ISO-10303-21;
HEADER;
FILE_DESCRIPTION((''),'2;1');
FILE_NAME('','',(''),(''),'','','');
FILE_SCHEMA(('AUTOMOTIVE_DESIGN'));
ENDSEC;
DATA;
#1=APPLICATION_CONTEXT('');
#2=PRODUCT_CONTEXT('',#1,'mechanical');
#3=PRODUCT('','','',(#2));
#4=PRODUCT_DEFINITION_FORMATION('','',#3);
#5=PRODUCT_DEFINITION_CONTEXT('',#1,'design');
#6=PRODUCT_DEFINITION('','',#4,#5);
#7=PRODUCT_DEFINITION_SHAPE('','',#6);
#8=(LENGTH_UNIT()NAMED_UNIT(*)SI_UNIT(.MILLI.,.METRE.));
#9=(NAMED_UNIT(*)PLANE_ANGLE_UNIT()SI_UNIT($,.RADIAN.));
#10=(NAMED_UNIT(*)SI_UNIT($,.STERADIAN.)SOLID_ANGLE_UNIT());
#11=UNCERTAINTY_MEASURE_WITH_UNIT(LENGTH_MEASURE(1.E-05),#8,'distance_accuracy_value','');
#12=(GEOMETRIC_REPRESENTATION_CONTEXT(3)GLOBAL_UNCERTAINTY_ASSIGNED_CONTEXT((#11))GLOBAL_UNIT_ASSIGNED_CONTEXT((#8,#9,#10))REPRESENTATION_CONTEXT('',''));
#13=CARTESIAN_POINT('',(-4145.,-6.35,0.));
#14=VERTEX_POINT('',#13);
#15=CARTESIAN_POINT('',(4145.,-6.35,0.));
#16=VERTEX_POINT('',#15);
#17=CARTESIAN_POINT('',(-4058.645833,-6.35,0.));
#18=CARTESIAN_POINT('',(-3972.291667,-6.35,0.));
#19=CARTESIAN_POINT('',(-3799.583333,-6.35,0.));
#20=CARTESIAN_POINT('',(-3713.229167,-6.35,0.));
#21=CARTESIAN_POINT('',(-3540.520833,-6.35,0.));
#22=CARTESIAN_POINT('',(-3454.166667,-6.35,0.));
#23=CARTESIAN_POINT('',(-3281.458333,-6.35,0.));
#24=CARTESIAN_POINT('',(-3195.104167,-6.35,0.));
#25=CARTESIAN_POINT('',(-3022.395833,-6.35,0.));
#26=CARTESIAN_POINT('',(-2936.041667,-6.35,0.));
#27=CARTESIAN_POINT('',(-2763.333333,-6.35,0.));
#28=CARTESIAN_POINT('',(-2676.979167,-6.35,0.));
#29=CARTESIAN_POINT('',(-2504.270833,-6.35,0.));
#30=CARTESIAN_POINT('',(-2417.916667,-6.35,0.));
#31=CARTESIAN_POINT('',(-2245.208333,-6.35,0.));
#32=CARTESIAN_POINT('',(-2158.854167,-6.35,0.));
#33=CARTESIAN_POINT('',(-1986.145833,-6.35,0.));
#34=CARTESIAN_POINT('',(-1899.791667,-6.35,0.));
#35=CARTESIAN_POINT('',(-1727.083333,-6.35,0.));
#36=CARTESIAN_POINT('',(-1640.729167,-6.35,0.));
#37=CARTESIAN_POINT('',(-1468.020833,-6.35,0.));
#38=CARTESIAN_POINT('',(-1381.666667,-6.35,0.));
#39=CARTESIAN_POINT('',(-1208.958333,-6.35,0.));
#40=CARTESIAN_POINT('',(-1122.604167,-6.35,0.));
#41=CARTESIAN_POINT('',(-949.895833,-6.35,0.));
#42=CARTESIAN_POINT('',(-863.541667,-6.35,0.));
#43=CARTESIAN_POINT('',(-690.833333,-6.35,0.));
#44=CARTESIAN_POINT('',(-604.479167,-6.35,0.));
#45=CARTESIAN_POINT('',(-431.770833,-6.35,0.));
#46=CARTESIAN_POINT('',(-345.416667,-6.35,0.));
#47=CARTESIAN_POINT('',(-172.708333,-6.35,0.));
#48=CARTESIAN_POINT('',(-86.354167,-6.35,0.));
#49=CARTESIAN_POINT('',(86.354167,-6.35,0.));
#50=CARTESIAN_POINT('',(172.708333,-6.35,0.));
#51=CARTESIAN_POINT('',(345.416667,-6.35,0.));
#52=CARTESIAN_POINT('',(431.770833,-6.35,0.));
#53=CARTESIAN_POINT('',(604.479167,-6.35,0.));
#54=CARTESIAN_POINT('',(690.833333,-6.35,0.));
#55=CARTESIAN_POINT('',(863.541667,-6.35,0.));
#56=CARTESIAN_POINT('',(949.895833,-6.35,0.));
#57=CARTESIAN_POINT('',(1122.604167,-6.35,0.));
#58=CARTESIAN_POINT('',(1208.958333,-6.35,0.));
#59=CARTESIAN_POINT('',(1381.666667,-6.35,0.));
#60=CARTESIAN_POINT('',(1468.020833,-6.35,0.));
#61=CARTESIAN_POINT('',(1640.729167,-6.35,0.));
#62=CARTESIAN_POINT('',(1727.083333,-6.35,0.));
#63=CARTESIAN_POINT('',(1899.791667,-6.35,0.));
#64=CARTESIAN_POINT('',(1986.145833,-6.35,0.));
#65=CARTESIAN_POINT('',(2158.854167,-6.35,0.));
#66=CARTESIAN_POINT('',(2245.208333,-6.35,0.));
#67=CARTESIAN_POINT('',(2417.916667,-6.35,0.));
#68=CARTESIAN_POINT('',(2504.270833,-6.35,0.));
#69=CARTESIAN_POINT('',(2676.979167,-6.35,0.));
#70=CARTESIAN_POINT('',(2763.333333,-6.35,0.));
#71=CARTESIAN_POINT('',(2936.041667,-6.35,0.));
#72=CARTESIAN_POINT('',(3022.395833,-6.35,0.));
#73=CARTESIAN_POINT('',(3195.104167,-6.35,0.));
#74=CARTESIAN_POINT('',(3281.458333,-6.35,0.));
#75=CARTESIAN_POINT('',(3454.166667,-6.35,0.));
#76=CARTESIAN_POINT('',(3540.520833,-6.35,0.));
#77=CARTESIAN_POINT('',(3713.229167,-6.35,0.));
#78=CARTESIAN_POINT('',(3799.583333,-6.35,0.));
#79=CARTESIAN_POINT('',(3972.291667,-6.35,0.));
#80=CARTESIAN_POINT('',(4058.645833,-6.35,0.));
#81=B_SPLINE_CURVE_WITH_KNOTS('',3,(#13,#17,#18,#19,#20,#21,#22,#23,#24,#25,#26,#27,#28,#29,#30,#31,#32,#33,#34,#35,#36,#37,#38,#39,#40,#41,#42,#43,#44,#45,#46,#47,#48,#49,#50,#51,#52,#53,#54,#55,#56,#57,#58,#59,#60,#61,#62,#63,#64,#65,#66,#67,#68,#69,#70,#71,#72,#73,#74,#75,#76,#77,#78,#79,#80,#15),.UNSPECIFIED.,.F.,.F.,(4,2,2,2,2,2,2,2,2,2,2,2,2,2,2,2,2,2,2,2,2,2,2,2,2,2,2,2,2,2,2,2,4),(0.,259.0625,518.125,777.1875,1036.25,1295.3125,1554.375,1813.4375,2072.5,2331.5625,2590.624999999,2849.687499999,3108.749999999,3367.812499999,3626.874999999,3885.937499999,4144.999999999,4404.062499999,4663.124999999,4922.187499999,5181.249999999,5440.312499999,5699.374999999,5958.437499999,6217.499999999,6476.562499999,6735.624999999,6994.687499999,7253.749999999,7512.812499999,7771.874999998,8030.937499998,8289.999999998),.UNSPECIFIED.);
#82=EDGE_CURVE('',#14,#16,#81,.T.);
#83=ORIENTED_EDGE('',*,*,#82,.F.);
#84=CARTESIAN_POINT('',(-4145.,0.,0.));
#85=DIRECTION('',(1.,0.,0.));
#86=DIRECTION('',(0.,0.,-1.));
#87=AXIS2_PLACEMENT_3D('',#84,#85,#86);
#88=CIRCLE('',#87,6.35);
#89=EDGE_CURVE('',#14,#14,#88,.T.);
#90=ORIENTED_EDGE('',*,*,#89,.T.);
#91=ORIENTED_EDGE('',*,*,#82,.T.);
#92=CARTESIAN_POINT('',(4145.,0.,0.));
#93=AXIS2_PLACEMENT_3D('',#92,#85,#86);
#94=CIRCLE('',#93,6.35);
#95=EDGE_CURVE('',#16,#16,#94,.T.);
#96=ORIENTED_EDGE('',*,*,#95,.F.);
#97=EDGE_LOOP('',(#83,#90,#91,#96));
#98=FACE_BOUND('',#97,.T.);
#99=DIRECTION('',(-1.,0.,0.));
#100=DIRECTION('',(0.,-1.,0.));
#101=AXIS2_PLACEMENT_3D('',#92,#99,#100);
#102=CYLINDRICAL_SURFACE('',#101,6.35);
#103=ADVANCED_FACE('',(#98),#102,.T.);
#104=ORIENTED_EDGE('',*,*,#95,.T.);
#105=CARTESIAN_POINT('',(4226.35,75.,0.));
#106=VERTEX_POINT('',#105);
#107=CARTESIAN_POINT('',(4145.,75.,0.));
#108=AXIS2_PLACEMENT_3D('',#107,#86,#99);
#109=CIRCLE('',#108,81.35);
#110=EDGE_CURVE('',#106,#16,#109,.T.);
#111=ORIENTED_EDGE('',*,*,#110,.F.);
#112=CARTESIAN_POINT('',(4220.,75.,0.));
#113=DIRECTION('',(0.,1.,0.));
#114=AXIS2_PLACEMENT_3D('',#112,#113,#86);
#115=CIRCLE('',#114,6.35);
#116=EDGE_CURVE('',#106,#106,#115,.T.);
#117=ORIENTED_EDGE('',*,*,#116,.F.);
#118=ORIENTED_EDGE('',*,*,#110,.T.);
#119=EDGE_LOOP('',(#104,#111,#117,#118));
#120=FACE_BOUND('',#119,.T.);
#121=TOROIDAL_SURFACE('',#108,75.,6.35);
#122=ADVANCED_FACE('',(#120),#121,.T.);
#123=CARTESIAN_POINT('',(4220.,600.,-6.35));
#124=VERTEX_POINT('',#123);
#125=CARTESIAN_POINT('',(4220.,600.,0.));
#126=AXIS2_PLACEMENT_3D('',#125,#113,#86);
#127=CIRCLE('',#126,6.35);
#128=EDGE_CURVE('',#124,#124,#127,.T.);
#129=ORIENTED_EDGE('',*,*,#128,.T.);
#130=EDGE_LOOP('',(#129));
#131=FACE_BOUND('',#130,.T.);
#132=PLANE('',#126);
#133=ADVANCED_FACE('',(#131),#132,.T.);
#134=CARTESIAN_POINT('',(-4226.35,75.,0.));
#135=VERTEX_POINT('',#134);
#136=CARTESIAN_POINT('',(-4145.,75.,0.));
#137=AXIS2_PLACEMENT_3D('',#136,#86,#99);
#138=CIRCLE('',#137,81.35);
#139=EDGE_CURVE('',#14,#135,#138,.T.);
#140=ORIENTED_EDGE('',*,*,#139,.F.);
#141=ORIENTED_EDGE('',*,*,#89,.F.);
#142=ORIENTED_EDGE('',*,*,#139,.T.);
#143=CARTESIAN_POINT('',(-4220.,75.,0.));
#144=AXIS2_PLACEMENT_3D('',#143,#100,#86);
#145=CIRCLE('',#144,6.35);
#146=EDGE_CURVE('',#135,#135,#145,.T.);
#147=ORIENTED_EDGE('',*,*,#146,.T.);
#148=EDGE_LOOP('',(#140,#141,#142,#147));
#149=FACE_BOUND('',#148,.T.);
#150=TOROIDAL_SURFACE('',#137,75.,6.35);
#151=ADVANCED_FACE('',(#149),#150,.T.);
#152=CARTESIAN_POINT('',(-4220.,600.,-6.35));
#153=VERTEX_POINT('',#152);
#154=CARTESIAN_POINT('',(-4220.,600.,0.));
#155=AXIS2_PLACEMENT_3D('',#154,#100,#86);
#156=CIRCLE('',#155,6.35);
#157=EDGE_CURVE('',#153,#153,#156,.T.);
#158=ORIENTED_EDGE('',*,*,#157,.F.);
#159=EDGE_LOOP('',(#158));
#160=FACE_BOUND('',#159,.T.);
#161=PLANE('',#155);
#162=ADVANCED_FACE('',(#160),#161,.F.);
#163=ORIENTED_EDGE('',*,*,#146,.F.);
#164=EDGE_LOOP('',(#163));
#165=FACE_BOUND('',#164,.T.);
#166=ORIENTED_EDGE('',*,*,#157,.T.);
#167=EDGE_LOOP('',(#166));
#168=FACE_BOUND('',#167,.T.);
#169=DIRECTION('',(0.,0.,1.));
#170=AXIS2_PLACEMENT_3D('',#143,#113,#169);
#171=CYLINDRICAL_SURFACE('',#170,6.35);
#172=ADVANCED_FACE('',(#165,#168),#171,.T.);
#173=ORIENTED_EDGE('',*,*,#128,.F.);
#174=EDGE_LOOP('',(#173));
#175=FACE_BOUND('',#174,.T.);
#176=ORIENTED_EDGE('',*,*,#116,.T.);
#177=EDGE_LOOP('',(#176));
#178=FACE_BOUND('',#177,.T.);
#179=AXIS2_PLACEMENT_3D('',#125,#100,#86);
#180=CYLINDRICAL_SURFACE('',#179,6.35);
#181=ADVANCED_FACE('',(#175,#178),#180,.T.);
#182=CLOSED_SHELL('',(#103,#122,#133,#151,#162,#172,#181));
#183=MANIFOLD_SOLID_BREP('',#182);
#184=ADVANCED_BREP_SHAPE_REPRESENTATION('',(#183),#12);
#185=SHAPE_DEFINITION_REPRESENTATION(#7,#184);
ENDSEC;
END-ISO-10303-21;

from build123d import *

# Parameters (mm, degrees)
SWEEP1_PROFILE_R = 6.35


with BuildPart() as part:
    # Sweep1: sweep along a path in Sketch1
    with BuildLine(Plane.XY) as sweep1_path:
        Line((-4220, 600), (-4220, 75))
        ThreePointArc((-4220, 75), (-4198.033008589, 21.966991411), (-4145, 0))
        Line((-4145, 0), (4145, 0))
        ThreePointArc((4145, 0), (4198.033008589, 21.966991411), (4220, 75))
        Line((4220, 75), (4220, 600))
    # Sweep1 profile (on start of the path) → Sweep1 (sweep)
    with BuildSketch(Plane(origin=(-4220, 600, 0), x_dir=(0, 0, -1), z_dir=(0, -1, 0))):
        Circle(SWEEP1_PROFILE_R)
    sweep(path=sweep1_path.line)


solid = part.part
